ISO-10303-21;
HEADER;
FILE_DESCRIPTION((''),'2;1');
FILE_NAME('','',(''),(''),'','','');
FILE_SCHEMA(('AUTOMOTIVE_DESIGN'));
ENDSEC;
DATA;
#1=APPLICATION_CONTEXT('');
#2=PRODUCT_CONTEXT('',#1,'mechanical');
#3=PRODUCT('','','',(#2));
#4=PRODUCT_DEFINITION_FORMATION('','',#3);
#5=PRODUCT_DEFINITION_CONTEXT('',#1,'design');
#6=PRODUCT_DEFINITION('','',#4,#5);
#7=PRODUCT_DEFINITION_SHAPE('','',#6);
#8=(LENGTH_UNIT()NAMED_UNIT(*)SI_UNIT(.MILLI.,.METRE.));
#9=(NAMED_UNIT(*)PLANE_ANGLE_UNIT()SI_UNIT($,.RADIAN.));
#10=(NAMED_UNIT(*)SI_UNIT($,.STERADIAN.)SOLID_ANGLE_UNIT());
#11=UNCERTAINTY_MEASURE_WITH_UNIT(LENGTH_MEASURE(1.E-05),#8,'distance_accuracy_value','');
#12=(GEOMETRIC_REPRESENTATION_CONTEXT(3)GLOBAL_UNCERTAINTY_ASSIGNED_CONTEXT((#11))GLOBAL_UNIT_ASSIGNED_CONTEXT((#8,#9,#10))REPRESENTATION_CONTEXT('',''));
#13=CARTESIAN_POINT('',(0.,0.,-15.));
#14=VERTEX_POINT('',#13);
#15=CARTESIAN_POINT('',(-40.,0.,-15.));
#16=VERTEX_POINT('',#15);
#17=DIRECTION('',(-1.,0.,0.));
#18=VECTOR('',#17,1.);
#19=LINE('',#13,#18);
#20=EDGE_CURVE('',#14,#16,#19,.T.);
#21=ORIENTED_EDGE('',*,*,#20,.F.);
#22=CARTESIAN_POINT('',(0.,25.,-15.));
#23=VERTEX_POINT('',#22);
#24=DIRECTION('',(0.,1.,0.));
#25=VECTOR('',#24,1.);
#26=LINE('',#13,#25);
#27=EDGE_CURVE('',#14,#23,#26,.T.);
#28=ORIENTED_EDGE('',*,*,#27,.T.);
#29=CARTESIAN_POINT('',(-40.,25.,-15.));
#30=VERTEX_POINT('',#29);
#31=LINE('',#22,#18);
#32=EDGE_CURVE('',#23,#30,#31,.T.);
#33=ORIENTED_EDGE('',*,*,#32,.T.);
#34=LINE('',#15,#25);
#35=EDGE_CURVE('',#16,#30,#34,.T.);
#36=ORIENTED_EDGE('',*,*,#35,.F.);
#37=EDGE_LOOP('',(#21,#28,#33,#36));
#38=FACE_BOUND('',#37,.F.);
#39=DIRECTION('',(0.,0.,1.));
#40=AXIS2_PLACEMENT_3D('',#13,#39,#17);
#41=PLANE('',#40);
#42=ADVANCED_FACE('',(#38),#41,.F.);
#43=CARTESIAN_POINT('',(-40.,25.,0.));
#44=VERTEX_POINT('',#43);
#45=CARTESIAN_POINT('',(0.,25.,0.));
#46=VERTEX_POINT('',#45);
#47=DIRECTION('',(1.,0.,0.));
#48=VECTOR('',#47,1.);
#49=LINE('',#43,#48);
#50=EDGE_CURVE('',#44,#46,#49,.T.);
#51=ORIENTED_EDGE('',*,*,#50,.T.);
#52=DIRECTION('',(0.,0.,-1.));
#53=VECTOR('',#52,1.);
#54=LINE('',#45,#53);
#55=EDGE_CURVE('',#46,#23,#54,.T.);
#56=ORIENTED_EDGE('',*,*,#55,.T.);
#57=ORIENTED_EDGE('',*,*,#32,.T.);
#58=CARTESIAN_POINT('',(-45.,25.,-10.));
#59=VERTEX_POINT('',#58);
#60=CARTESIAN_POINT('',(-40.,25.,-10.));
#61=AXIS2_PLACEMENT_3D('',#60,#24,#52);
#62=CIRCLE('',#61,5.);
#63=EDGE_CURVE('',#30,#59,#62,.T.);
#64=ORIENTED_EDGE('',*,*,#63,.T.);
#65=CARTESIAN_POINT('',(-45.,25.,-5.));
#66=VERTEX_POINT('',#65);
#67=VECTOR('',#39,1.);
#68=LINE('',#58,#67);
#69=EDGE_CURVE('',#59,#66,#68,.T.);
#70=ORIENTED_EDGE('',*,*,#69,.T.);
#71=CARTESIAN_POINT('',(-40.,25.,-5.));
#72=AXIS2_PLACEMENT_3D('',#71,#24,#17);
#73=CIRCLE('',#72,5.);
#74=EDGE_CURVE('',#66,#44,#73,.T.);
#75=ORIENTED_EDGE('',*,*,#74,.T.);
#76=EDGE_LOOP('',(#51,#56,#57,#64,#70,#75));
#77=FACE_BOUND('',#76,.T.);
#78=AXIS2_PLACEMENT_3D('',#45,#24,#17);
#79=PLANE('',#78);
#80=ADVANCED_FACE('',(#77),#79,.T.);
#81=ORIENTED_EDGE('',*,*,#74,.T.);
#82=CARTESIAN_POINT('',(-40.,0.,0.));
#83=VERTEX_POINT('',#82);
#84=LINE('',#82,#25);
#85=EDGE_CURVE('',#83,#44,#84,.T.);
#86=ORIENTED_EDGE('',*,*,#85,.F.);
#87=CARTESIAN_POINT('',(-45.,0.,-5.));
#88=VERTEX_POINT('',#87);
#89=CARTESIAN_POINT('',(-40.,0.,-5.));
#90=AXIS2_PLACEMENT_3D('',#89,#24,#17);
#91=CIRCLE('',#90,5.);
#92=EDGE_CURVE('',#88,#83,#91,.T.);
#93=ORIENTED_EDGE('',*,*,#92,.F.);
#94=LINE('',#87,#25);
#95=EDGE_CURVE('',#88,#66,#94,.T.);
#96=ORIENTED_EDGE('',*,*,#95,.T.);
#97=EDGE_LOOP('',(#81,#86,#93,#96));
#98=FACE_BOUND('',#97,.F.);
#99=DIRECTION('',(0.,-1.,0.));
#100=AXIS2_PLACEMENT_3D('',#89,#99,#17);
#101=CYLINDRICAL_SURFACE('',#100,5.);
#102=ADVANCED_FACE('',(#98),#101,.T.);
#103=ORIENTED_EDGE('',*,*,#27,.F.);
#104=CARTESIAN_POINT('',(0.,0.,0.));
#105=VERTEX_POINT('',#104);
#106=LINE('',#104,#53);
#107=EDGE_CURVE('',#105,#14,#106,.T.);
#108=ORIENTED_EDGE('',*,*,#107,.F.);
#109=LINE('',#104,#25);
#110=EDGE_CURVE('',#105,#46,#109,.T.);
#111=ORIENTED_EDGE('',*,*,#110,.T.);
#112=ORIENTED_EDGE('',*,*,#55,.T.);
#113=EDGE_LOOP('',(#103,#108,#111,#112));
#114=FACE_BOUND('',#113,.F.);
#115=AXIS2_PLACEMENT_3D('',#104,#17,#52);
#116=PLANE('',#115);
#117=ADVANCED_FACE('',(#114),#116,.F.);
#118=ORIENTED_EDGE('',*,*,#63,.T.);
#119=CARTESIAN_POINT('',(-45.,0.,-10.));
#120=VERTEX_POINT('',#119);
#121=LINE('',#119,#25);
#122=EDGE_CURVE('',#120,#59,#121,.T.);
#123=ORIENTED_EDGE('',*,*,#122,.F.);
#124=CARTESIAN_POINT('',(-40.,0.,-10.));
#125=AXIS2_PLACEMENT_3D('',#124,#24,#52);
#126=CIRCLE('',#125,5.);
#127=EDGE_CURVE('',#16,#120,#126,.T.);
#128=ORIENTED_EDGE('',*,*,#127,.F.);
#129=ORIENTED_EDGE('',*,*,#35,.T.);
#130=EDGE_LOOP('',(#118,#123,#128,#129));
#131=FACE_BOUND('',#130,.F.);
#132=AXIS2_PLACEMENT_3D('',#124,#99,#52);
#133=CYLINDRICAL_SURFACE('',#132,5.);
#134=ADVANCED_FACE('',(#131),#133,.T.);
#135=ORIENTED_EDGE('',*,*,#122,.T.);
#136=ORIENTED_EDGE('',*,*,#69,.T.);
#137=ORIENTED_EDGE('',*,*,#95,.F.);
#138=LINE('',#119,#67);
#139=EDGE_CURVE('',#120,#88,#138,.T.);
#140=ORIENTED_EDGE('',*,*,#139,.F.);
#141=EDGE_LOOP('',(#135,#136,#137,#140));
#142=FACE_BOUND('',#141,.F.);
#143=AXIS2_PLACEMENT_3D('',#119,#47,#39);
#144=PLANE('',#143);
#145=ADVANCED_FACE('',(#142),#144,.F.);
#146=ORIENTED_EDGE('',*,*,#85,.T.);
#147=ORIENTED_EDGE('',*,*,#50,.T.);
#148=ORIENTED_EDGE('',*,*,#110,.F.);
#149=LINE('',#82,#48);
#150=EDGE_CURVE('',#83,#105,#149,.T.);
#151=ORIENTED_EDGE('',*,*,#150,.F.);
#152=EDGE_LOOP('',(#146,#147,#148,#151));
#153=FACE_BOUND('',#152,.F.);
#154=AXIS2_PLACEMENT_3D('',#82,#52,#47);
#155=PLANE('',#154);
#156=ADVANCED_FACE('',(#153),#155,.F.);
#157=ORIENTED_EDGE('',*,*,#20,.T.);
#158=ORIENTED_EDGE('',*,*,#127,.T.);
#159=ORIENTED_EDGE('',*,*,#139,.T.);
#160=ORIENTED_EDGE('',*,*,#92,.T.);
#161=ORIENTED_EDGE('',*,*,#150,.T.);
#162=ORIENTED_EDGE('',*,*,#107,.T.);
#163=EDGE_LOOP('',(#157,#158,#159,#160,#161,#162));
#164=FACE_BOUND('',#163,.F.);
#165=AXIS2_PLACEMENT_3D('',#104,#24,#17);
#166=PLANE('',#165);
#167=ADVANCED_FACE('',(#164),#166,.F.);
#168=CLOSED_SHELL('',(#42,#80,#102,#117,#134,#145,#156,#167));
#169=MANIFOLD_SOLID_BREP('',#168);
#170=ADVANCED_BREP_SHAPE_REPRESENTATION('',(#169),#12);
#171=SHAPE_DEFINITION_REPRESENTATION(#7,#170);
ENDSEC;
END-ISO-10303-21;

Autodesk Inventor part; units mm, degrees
ref_plane "YZ Plane" through (0, 0, 0) normal (1, 0, 0) x (0, 1, 0)
ref_plane "XZ Plane" through (0, 0, 0) normal (0, 1, 0) x (-1, 0, 0)
ref_plane "XY Plane" through (0, 0, 0) normal (0, 0, 1) x (1, 0, 0)
sketch "Náčrt1" plane through (0, 0, 0) normal (0, 1, 0) x (-1, 0, 0)
  line L0 (40, 0) -> (0, 0)
  line L1 (0, 0) -> (0, -15)
  line L2 (0, -15) -> (40, -15)
  arc A0 (40, -15) -> (45, -10) centre (40, -10) ccw
  line L3 (45, -10) -> (45, -5)
  arc A1 (45, -5) -> (40, 0) centre (40, -5) ccw
  dimension "d0" = 15
  dimension "d1" = 45
  dimension "d2" = 5
extrude "Vysunutí1" add sketch "Náčrt1" along normal blind 25
properties part number "3s lipo"
